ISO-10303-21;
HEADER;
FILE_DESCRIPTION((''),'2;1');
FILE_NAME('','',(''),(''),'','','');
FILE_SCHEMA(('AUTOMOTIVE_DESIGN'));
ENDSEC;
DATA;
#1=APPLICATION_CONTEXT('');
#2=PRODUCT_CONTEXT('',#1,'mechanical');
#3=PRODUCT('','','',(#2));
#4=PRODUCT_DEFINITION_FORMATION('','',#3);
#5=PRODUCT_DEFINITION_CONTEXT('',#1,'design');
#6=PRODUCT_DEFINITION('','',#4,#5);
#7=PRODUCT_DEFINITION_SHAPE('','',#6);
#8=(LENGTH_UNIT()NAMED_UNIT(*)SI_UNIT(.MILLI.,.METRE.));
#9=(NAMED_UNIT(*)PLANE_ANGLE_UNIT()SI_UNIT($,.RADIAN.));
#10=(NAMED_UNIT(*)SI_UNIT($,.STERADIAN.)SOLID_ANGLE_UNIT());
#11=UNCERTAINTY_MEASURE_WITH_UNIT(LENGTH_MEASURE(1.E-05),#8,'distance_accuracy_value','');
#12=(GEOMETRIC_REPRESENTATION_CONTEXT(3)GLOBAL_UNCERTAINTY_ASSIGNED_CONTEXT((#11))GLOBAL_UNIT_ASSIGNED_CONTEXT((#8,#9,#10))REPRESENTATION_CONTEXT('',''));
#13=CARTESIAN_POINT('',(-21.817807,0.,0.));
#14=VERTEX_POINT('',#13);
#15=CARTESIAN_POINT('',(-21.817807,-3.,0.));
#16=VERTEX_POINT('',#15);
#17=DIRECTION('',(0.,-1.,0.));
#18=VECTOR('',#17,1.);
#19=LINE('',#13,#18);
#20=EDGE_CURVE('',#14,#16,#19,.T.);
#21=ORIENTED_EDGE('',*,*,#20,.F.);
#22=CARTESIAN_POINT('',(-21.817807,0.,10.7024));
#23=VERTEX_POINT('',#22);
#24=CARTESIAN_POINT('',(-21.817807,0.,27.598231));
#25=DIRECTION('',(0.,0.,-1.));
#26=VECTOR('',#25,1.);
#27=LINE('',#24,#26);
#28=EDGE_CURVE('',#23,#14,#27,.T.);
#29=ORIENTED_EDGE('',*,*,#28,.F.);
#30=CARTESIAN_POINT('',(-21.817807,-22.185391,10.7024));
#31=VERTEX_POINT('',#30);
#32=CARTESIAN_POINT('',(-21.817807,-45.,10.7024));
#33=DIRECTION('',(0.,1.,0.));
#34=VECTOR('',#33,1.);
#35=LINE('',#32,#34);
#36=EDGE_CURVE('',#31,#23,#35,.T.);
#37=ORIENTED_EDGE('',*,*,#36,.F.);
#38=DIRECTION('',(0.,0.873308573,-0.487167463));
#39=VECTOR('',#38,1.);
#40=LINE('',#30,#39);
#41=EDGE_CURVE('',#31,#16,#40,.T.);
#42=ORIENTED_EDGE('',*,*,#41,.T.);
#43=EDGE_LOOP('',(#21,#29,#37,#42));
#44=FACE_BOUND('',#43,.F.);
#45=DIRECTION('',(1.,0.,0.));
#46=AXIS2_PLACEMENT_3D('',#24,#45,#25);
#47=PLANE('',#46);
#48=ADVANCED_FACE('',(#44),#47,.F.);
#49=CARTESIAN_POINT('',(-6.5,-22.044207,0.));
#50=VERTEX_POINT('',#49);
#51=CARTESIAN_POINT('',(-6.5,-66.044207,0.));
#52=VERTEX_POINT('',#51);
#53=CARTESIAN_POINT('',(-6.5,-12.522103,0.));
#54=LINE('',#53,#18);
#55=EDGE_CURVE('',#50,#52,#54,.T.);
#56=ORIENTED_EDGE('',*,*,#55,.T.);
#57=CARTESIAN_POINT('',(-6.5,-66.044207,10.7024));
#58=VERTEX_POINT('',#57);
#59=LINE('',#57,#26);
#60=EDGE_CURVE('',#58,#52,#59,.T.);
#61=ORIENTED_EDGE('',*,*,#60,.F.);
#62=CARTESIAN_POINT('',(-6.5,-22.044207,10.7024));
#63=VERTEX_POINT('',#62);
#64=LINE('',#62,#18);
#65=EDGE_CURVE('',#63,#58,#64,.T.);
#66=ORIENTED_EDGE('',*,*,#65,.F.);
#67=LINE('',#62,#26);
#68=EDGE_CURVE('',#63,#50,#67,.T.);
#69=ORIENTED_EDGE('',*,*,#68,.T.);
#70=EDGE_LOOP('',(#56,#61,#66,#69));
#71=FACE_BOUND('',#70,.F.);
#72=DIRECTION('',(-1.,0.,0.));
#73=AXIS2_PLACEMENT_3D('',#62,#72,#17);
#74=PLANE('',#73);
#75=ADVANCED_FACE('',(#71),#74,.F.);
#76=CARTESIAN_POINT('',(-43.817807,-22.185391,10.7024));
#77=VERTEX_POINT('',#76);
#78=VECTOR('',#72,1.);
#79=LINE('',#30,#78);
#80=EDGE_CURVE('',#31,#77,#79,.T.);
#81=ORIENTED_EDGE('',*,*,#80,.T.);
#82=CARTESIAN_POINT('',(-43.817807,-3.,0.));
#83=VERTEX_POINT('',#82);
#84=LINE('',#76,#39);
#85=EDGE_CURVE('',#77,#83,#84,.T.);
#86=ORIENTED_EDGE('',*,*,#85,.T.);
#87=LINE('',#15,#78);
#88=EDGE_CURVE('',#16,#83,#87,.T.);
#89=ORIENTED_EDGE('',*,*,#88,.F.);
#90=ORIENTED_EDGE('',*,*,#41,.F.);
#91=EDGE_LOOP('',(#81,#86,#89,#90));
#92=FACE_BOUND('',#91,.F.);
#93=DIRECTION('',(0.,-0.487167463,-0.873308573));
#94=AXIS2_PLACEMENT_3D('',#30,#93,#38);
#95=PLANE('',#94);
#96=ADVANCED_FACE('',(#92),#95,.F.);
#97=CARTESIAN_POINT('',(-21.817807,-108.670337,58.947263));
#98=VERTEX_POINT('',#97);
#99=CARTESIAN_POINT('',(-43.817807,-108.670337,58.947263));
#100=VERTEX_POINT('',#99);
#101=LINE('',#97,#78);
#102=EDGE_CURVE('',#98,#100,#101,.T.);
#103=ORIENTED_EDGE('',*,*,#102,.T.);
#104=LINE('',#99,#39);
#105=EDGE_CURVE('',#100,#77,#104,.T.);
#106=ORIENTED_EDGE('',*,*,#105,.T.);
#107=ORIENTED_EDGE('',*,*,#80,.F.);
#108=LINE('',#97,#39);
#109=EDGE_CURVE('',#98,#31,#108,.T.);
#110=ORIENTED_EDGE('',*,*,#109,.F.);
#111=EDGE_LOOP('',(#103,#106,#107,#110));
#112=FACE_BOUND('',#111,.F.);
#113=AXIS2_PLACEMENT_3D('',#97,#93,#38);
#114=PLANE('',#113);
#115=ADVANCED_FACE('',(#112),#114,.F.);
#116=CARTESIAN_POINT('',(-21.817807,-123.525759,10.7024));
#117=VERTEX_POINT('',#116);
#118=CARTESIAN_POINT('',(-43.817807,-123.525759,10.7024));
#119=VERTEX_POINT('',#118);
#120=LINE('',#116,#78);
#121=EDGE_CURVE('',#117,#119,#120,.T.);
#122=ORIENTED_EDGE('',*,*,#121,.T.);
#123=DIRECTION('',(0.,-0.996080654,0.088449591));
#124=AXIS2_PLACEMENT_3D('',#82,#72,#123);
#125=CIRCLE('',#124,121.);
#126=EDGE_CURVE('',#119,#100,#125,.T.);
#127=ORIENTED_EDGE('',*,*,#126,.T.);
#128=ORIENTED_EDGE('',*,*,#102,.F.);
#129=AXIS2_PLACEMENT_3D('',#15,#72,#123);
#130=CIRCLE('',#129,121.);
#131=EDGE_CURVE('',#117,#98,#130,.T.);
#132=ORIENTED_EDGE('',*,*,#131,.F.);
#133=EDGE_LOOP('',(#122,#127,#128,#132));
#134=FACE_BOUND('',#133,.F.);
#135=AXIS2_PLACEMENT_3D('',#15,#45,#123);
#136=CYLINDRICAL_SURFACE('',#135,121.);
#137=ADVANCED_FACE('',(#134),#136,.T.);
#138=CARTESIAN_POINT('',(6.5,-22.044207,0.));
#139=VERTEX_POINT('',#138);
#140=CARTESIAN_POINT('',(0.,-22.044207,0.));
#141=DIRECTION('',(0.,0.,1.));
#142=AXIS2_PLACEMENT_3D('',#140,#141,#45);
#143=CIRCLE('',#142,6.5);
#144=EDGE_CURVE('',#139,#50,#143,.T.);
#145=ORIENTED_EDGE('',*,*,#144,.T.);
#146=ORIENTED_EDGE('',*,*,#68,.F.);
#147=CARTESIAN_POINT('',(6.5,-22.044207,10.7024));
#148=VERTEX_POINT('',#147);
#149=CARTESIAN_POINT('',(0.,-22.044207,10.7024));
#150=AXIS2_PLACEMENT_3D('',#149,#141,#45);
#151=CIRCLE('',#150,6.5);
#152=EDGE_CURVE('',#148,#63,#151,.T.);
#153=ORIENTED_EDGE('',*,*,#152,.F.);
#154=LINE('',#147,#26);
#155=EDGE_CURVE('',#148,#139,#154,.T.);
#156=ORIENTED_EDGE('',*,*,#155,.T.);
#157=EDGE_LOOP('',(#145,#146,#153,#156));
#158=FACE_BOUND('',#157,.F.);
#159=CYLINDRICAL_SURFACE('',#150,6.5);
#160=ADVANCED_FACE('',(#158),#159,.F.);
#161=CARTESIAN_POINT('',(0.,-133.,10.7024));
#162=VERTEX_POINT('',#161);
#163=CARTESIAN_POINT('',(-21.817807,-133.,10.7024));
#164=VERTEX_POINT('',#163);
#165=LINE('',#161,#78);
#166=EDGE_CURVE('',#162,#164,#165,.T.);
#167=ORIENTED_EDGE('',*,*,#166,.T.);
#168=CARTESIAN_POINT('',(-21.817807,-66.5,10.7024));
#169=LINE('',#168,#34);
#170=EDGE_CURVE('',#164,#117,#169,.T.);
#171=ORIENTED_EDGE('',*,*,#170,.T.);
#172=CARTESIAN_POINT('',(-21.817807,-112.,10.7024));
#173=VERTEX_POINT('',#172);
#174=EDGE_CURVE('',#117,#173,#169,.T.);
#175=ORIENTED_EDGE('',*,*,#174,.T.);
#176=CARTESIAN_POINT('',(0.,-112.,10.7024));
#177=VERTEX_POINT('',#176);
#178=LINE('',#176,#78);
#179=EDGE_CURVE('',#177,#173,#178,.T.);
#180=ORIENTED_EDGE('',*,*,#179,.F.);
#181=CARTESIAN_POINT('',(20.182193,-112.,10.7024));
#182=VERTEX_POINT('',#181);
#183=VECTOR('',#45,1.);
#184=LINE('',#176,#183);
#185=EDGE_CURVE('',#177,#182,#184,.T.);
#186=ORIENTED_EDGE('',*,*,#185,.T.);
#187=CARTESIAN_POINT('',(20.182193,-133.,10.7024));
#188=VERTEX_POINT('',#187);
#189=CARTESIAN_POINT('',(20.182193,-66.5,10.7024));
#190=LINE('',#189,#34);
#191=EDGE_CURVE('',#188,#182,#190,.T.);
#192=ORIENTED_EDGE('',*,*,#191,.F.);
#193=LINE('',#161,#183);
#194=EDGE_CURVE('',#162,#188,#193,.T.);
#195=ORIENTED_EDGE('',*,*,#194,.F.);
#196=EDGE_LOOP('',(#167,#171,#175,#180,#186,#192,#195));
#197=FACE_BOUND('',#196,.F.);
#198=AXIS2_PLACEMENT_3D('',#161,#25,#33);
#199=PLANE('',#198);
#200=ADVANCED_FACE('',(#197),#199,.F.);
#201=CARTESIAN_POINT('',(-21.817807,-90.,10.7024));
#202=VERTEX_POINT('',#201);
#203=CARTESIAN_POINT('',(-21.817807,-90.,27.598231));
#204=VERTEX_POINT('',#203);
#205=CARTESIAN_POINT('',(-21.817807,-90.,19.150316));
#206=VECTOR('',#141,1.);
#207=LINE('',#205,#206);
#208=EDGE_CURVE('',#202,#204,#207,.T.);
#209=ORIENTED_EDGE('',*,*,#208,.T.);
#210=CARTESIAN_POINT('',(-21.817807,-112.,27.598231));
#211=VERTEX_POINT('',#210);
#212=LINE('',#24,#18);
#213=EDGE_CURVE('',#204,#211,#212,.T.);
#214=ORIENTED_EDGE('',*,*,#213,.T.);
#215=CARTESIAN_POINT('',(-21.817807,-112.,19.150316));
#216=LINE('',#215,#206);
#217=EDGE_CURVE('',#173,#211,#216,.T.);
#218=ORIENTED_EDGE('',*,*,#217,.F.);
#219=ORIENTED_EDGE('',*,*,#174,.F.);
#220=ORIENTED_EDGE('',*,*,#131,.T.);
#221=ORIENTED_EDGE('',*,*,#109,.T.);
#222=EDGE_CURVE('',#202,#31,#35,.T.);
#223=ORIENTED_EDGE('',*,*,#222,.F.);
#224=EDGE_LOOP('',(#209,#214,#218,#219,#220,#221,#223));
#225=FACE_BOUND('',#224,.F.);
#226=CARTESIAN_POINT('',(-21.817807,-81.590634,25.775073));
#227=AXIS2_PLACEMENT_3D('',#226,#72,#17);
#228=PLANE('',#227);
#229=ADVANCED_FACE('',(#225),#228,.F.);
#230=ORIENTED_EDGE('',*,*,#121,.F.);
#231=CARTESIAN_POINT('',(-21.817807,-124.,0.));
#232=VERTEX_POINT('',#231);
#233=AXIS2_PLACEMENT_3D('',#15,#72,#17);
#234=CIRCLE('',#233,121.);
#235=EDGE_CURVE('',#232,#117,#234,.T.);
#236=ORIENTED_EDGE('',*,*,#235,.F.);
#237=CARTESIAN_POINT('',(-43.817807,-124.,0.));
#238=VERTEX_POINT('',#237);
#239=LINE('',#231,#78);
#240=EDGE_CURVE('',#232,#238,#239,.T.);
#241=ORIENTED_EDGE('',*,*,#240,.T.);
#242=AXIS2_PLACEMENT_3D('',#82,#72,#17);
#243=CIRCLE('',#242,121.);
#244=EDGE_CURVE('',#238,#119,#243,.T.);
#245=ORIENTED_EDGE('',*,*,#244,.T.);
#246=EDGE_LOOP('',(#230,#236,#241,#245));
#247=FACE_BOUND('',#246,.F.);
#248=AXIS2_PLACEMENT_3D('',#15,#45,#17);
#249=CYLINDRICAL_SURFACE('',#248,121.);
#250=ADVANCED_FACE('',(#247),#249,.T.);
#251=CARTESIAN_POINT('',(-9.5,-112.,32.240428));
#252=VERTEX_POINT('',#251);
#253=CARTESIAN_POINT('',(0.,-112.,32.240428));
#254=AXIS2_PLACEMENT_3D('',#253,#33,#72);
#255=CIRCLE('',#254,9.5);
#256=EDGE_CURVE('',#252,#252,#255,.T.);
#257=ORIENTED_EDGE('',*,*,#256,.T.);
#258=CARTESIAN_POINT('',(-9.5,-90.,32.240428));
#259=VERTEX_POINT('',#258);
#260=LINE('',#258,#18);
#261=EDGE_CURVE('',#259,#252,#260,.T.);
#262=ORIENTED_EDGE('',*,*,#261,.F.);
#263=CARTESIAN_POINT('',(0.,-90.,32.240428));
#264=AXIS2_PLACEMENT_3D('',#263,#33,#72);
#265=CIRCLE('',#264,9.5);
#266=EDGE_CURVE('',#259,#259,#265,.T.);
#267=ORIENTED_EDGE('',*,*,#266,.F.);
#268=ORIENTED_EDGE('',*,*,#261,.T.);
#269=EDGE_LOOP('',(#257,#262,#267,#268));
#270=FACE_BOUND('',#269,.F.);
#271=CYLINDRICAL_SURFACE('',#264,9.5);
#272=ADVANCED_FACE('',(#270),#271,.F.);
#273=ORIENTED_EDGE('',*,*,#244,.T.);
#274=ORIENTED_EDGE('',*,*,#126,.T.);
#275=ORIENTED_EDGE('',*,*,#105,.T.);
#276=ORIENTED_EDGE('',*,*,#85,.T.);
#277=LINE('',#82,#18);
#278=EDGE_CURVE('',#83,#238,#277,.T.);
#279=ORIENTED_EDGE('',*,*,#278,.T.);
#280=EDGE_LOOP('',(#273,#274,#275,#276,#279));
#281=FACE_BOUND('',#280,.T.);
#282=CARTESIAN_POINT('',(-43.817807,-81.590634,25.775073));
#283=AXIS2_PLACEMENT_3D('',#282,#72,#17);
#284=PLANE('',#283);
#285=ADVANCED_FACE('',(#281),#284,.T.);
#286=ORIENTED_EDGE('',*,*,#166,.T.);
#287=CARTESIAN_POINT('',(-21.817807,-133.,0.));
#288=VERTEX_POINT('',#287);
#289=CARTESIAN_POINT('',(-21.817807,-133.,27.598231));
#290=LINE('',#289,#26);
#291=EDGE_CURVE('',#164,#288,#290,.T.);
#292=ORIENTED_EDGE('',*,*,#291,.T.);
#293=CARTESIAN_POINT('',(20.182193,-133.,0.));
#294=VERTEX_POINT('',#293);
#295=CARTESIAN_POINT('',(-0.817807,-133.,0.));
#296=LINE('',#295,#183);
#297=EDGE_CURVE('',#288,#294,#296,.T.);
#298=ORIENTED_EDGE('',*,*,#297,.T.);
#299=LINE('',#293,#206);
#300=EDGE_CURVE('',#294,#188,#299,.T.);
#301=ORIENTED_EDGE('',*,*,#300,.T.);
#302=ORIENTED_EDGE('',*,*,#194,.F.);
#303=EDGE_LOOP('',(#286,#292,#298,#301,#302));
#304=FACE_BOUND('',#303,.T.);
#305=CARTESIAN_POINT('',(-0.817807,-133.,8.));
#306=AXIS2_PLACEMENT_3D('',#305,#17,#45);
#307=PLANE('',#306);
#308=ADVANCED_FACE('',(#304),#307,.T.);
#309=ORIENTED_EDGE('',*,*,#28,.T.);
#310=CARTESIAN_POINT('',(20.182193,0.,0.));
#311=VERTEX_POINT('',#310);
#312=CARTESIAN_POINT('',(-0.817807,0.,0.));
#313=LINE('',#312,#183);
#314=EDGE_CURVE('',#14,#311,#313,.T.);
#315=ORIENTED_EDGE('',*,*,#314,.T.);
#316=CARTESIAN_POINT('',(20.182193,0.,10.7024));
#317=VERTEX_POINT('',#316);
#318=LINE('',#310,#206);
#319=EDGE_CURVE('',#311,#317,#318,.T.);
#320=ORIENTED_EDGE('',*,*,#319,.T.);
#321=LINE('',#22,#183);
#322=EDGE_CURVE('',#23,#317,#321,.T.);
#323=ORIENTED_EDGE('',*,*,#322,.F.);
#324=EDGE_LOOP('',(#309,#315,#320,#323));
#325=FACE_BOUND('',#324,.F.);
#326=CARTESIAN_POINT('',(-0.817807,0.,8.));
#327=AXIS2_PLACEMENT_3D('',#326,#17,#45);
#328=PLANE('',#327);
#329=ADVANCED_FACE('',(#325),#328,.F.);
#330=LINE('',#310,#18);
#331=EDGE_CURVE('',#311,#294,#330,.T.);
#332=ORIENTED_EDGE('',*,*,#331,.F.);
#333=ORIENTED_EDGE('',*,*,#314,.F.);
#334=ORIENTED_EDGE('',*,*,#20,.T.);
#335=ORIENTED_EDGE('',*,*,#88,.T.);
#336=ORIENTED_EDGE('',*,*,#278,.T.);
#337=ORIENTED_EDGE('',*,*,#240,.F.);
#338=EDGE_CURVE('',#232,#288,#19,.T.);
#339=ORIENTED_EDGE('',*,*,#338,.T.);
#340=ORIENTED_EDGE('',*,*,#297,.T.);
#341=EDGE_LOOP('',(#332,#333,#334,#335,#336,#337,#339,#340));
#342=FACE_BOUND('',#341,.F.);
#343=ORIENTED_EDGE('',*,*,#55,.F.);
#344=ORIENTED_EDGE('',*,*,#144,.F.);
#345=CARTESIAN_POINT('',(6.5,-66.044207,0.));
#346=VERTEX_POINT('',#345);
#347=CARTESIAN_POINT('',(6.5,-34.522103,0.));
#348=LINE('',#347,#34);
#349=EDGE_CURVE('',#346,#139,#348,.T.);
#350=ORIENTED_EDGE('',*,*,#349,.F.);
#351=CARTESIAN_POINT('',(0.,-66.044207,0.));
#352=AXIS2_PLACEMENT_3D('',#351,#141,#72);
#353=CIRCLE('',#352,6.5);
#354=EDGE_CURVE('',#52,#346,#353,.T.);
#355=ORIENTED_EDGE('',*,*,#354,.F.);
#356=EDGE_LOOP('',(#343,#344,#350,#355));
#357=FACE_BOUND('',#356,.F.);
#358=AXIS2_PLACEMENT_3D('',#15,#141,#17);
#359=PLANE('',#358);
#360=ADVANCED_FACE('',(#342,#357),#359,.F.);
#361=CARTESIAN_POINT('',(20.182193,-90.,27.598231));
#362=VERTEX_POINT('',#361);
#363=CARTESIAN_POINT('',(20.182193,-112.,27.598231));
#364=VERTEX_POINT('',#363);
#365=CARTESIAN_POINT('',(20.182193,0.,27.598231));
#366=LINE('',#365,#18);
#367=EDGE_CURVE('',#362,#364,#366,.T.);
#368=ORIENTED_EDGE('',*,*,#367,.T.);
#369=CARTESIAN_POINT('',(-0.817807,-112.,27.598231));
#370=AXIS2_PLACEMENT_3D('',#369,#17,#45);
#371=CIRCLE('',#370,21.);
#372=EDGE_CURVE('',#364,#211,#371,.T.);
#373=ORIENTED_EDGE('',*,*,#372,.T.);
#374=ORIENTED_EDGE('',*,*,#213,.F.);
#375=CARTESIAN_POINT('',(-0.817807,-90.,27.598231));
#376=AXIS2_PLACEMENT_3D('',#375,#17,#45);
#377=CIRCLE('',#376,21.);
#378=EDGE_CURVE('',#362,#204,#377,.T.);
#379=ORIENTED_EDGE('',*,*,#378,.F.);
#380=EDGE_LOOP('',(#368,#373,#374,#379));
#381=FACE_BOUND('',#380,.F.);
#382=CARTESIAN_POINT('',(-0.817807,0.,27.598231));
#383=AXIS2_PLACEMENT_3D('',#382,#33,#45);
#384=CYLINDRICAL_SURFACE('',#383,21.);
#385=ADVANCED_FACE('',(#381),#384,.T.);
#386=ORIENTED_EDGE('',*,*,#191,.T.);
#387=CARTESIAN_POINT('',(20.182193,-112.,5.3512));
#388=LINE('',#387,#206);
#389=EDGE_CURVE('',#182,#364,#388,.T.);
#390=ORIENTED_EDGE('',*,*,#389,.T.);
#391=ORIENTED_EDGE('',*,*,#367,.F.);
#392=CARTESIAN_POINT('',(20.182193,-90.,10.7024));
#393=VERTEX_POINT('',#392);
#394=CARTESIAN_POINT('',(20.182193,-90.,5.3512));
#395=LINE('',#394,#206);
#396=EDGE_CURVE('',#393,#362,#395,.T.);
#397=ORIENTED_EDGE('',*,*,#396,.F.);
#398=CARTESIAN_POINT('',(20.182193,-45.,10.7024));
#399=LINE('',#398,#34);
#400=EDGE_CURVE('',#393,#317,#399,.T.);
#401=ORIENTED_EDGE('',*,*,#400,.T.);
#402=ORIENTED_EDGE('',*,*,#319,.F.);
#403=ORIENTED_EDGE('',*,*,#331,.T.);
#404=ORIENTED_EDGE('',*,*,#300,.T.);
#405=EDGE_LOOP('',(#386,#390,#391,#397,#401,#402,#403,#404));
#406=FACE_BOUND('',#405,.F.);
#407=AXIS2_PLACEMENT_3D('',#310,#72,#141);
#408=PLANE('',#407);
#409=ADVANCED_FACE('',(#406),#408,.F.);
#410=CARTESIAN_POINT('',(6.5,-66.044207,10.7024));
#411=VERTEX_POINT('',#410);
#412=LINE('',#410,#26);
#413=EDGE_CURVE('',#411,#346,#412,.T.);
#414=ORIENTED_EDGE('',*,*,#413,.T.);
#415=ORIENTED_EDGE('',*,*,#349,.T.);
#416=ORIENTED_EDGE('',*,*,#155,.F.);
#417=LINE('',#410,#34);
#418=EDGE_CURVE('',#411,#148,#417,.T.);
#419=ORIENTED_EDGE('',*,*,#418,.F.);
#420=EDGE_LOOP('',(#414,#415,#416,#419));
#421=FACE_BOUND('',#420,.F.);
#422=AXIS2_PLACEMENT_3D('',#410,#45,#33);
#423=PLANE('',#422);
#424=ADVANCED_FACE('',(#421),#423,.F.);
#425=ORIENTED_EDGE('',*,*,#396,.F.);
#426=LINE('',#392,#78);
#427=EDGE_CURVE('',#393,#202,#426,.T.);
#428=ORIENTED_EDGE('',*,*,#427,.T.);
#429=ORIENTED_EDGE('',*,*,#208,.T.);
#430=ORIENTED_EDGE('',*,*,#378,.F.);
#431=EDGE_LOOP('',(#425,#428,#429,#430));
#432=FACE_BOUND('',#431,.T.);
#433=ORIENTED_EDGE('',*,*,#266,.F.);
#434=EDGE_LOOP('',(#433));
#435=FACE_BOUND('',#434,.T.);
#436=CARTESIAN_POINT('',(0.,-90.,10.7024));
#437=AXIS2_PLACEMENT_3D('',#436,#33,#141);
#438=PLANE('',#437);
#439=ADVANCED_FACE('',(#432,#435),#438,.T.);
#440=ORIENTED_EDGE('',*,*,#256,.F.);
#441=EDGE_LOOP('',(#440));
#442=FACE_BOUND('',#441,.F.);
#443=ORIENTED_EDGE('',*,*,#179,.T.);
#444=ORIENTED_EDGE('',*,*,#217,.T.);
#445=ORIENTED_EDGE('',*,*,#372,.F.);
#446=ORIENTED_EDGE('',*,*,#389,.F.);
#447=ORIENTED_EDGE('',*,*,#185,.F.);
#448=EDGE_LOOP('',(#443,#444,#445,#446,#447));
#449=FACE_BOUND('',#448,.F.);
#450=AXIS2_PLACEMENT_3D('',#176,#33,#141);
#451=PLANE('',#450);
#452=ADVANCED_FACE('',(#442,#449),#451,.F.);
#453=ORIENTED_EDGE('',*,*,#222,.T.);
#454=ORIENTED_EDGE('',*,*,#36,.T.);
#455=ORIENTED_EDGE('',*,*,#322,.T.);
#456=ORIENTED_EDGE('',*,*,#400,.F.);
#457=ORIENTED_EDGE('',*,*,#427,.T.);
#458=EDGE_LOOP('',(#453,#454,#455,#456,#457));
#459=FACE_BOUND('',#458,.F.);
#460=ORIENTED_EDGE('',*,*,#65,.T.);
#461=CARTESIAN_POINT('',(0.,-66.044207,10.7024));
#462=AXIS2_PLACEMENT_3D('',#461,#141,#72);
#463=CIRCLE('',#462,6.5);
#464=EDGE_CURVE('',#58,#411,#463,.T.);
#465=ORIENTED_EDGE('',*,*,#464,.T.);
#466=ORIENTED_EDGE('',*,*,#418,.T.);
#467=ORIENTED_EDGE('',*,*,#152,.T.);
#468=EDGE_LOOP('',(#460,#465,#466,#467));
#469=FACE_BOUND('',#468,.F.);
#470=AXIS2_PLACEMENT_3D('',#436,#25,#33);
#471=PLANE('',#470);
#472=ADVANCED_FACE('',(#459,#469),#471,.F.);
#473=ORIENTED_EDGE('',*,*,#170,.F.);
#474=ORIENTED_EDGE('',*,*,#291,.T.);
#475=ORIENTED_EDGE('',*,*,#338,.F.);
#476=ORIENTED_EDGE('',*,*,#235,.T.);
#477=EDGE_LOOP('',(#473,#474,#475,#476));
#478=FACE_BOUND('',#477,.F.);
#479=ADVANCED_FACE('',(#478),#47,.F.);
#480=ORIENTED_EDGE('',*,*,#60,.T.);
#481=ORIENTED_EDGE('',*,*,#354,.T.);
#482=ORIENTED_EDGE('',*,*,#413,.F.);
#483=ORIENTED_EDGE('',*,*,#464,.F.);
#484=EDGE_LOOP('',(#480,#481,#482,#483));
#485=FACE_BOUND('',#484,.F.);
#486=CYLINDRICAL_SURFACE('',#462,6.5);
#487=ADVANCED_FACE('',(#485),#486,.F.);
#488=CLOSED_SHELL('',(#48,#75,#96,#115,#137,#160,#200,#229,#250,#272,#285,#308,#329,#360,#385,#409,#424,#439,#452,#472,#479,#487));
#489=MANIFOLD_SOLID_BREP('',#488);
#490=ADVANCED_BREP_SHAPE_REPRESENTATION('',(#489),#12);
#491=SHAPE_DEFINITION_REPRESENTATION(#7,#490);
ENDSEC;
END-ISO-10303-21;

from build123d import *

# Parameters (mm, degrees)
F0_W          = 42
F0_H          = 16
F1_DEPTH      = 133
F2_W          = 21
F2_H          = 52.7929635726
F3_DEPTH      = 20.1831926579
F4_W          = 21
F4_H          = 40.5876869309
F5_DEPTH      = 25
F6_W          = 90
F6_H          = 45.8940723884
F7_DEPTH      = 20.1831926579
F7_DEPTH_BACK = 25
F11_DEPTH     = 22
F13_DEPTH     = 25
F12_R         = 9.5
F14_DEPTH     = 25


with BuildPart() as f1:
    # F0 (on Front) → F1 (new body)
    with BuildSketch(Plane.XZ):
        with Locations((-0.8178073421, 8)):
            Rectangle(F0_W, F0_H)
        with BuildLine():
            Line((-21.8178073421, 27.5982314394), (-21.8178073421, 16))
            Line((-21.8178073421, 16), (20.1821926579, 16))
            Line((20.1821926579, 16), (20.1821926579, 27.5982314394))
            ThreePointArc((20.1821926579, 27.5982314394), (-0.8178073421, 48.5982314394), (-21.8178073421, 27.5982314394))
        make_face()
    extrude(amount=F1_DEPTH)

    # F2 (on Right) → F3 (cut, through all)
    with BuildSketch(Plane.YZ):
        with Locations((-122.5, 37.0988822573)):
            Rectangle(F2_W, F2_H)
    extrude(amount=F3_DEPTH, mode=Mode.SUBTRACT)

    # F4 (on face) → F5 (cut)
    with BuildSketch(Plane.YZ):
        with Locations((-122.5, 30.9962439364)):
            Rectangle(F4_W, F4_H)
    extrude(amount=-F5_DEPTH, mode=Mode.SUBTRACT)

    # F6 (on Right) → F7 (cut, two sides)
    with BuildSketch(Plane.YZ) as f7_sk:
        with Locations((-45, 33.6494366652)):
            Rectangle(F6_W, F6_H)
    extrude(amount=F7_DEPTH, mode=Mode.SUBTRACT)
    extrude(f7_sk.sketch, amount=-F7_DEPTH_BACK, mode=Mode.SUBTRACT)

    # F10 (on face) → F11 (join)
    with BuildSketch(Plane(origin=(-21.8178073421, 0, 0), x_dir=(0, -1, 0), z_dir=(-1, 0, 0))):
        with BuildLine():
            ThreePointArc((123.5257591727, 10.702400471), (118.6419482908, 35.6081422643), (108.6703372937, 58.9472630089))
            Line((108.6703372937, 58.9472630089), (22.1853906338, 10.702400471))
            Line((22.1853906338, 10.702400471), (90, 10.702400471))
            Line((90, 10.702400471), (90, 27.5982314394))
            Line((90, 27.5982314394), (112, 27.5982314394))
            Line((112, 27.5982314394), (112, 10.702400471))
            Line((112, 10.702400471), (123.5257591727, 10.702400471))
        make_face()
        with BuildLine():
            ThreePointArc((124, 0), (123.8813816514, 5.3564512553), (123.5257591727, 10.702400471))
            Line((123.5257591727, 10.702400471), (112, 10.702400471))
            Line((112, 10.702400471), (112, 27.5982314394))
            Line((112, 27.5982314394), (90, 27.5982314394))
            Line((90, 27.5982314394), (90, 10.702400471))
            Line((90, 10.702400471), (22.1853906338, 10.702400471))
            Line((22.1853906338, 10.702400471), (3, 0))
            Line((3, 0), (124, 0))
        make_face()
    extrude(amount=F11_DEPTH)

    # F8 (on face) → F13 (cut)
    with BuildSketch(Plane.XY.offset(10.702400471)):
        with BuildLine():
            ThreePointArc((6.5, -22.0442066215), (0, -15.5442066215), (-6.5, -22.0442066215))
            Line((-6.5, -22.0442066215), (-6.5, -66.0442066215))
            ThreePointArc((-6.5, -66.0442066215), (0, -72.5442066215), (6.5, -66.0442066215))
            Line((6.5, -66.0442066215), (6.5, -22.0442066215))
        make_face()
    extrude(amount=-F13_DEPTH, mode=Mode.SUBTRACT)

    # F12 (on face) → F14 (cut)
    with BuildSketch(Plane(origin=(0, -90, 0), x_dir=(-1, 0, 0), z_dir=(0, 1, 0))):
        with Locations((0, 32.2404283148)):
            Circle(F12_R)
    extrude(amount=-F14_DEPTH, mode=Mode.SUBTRACT)


solid = f1.part
